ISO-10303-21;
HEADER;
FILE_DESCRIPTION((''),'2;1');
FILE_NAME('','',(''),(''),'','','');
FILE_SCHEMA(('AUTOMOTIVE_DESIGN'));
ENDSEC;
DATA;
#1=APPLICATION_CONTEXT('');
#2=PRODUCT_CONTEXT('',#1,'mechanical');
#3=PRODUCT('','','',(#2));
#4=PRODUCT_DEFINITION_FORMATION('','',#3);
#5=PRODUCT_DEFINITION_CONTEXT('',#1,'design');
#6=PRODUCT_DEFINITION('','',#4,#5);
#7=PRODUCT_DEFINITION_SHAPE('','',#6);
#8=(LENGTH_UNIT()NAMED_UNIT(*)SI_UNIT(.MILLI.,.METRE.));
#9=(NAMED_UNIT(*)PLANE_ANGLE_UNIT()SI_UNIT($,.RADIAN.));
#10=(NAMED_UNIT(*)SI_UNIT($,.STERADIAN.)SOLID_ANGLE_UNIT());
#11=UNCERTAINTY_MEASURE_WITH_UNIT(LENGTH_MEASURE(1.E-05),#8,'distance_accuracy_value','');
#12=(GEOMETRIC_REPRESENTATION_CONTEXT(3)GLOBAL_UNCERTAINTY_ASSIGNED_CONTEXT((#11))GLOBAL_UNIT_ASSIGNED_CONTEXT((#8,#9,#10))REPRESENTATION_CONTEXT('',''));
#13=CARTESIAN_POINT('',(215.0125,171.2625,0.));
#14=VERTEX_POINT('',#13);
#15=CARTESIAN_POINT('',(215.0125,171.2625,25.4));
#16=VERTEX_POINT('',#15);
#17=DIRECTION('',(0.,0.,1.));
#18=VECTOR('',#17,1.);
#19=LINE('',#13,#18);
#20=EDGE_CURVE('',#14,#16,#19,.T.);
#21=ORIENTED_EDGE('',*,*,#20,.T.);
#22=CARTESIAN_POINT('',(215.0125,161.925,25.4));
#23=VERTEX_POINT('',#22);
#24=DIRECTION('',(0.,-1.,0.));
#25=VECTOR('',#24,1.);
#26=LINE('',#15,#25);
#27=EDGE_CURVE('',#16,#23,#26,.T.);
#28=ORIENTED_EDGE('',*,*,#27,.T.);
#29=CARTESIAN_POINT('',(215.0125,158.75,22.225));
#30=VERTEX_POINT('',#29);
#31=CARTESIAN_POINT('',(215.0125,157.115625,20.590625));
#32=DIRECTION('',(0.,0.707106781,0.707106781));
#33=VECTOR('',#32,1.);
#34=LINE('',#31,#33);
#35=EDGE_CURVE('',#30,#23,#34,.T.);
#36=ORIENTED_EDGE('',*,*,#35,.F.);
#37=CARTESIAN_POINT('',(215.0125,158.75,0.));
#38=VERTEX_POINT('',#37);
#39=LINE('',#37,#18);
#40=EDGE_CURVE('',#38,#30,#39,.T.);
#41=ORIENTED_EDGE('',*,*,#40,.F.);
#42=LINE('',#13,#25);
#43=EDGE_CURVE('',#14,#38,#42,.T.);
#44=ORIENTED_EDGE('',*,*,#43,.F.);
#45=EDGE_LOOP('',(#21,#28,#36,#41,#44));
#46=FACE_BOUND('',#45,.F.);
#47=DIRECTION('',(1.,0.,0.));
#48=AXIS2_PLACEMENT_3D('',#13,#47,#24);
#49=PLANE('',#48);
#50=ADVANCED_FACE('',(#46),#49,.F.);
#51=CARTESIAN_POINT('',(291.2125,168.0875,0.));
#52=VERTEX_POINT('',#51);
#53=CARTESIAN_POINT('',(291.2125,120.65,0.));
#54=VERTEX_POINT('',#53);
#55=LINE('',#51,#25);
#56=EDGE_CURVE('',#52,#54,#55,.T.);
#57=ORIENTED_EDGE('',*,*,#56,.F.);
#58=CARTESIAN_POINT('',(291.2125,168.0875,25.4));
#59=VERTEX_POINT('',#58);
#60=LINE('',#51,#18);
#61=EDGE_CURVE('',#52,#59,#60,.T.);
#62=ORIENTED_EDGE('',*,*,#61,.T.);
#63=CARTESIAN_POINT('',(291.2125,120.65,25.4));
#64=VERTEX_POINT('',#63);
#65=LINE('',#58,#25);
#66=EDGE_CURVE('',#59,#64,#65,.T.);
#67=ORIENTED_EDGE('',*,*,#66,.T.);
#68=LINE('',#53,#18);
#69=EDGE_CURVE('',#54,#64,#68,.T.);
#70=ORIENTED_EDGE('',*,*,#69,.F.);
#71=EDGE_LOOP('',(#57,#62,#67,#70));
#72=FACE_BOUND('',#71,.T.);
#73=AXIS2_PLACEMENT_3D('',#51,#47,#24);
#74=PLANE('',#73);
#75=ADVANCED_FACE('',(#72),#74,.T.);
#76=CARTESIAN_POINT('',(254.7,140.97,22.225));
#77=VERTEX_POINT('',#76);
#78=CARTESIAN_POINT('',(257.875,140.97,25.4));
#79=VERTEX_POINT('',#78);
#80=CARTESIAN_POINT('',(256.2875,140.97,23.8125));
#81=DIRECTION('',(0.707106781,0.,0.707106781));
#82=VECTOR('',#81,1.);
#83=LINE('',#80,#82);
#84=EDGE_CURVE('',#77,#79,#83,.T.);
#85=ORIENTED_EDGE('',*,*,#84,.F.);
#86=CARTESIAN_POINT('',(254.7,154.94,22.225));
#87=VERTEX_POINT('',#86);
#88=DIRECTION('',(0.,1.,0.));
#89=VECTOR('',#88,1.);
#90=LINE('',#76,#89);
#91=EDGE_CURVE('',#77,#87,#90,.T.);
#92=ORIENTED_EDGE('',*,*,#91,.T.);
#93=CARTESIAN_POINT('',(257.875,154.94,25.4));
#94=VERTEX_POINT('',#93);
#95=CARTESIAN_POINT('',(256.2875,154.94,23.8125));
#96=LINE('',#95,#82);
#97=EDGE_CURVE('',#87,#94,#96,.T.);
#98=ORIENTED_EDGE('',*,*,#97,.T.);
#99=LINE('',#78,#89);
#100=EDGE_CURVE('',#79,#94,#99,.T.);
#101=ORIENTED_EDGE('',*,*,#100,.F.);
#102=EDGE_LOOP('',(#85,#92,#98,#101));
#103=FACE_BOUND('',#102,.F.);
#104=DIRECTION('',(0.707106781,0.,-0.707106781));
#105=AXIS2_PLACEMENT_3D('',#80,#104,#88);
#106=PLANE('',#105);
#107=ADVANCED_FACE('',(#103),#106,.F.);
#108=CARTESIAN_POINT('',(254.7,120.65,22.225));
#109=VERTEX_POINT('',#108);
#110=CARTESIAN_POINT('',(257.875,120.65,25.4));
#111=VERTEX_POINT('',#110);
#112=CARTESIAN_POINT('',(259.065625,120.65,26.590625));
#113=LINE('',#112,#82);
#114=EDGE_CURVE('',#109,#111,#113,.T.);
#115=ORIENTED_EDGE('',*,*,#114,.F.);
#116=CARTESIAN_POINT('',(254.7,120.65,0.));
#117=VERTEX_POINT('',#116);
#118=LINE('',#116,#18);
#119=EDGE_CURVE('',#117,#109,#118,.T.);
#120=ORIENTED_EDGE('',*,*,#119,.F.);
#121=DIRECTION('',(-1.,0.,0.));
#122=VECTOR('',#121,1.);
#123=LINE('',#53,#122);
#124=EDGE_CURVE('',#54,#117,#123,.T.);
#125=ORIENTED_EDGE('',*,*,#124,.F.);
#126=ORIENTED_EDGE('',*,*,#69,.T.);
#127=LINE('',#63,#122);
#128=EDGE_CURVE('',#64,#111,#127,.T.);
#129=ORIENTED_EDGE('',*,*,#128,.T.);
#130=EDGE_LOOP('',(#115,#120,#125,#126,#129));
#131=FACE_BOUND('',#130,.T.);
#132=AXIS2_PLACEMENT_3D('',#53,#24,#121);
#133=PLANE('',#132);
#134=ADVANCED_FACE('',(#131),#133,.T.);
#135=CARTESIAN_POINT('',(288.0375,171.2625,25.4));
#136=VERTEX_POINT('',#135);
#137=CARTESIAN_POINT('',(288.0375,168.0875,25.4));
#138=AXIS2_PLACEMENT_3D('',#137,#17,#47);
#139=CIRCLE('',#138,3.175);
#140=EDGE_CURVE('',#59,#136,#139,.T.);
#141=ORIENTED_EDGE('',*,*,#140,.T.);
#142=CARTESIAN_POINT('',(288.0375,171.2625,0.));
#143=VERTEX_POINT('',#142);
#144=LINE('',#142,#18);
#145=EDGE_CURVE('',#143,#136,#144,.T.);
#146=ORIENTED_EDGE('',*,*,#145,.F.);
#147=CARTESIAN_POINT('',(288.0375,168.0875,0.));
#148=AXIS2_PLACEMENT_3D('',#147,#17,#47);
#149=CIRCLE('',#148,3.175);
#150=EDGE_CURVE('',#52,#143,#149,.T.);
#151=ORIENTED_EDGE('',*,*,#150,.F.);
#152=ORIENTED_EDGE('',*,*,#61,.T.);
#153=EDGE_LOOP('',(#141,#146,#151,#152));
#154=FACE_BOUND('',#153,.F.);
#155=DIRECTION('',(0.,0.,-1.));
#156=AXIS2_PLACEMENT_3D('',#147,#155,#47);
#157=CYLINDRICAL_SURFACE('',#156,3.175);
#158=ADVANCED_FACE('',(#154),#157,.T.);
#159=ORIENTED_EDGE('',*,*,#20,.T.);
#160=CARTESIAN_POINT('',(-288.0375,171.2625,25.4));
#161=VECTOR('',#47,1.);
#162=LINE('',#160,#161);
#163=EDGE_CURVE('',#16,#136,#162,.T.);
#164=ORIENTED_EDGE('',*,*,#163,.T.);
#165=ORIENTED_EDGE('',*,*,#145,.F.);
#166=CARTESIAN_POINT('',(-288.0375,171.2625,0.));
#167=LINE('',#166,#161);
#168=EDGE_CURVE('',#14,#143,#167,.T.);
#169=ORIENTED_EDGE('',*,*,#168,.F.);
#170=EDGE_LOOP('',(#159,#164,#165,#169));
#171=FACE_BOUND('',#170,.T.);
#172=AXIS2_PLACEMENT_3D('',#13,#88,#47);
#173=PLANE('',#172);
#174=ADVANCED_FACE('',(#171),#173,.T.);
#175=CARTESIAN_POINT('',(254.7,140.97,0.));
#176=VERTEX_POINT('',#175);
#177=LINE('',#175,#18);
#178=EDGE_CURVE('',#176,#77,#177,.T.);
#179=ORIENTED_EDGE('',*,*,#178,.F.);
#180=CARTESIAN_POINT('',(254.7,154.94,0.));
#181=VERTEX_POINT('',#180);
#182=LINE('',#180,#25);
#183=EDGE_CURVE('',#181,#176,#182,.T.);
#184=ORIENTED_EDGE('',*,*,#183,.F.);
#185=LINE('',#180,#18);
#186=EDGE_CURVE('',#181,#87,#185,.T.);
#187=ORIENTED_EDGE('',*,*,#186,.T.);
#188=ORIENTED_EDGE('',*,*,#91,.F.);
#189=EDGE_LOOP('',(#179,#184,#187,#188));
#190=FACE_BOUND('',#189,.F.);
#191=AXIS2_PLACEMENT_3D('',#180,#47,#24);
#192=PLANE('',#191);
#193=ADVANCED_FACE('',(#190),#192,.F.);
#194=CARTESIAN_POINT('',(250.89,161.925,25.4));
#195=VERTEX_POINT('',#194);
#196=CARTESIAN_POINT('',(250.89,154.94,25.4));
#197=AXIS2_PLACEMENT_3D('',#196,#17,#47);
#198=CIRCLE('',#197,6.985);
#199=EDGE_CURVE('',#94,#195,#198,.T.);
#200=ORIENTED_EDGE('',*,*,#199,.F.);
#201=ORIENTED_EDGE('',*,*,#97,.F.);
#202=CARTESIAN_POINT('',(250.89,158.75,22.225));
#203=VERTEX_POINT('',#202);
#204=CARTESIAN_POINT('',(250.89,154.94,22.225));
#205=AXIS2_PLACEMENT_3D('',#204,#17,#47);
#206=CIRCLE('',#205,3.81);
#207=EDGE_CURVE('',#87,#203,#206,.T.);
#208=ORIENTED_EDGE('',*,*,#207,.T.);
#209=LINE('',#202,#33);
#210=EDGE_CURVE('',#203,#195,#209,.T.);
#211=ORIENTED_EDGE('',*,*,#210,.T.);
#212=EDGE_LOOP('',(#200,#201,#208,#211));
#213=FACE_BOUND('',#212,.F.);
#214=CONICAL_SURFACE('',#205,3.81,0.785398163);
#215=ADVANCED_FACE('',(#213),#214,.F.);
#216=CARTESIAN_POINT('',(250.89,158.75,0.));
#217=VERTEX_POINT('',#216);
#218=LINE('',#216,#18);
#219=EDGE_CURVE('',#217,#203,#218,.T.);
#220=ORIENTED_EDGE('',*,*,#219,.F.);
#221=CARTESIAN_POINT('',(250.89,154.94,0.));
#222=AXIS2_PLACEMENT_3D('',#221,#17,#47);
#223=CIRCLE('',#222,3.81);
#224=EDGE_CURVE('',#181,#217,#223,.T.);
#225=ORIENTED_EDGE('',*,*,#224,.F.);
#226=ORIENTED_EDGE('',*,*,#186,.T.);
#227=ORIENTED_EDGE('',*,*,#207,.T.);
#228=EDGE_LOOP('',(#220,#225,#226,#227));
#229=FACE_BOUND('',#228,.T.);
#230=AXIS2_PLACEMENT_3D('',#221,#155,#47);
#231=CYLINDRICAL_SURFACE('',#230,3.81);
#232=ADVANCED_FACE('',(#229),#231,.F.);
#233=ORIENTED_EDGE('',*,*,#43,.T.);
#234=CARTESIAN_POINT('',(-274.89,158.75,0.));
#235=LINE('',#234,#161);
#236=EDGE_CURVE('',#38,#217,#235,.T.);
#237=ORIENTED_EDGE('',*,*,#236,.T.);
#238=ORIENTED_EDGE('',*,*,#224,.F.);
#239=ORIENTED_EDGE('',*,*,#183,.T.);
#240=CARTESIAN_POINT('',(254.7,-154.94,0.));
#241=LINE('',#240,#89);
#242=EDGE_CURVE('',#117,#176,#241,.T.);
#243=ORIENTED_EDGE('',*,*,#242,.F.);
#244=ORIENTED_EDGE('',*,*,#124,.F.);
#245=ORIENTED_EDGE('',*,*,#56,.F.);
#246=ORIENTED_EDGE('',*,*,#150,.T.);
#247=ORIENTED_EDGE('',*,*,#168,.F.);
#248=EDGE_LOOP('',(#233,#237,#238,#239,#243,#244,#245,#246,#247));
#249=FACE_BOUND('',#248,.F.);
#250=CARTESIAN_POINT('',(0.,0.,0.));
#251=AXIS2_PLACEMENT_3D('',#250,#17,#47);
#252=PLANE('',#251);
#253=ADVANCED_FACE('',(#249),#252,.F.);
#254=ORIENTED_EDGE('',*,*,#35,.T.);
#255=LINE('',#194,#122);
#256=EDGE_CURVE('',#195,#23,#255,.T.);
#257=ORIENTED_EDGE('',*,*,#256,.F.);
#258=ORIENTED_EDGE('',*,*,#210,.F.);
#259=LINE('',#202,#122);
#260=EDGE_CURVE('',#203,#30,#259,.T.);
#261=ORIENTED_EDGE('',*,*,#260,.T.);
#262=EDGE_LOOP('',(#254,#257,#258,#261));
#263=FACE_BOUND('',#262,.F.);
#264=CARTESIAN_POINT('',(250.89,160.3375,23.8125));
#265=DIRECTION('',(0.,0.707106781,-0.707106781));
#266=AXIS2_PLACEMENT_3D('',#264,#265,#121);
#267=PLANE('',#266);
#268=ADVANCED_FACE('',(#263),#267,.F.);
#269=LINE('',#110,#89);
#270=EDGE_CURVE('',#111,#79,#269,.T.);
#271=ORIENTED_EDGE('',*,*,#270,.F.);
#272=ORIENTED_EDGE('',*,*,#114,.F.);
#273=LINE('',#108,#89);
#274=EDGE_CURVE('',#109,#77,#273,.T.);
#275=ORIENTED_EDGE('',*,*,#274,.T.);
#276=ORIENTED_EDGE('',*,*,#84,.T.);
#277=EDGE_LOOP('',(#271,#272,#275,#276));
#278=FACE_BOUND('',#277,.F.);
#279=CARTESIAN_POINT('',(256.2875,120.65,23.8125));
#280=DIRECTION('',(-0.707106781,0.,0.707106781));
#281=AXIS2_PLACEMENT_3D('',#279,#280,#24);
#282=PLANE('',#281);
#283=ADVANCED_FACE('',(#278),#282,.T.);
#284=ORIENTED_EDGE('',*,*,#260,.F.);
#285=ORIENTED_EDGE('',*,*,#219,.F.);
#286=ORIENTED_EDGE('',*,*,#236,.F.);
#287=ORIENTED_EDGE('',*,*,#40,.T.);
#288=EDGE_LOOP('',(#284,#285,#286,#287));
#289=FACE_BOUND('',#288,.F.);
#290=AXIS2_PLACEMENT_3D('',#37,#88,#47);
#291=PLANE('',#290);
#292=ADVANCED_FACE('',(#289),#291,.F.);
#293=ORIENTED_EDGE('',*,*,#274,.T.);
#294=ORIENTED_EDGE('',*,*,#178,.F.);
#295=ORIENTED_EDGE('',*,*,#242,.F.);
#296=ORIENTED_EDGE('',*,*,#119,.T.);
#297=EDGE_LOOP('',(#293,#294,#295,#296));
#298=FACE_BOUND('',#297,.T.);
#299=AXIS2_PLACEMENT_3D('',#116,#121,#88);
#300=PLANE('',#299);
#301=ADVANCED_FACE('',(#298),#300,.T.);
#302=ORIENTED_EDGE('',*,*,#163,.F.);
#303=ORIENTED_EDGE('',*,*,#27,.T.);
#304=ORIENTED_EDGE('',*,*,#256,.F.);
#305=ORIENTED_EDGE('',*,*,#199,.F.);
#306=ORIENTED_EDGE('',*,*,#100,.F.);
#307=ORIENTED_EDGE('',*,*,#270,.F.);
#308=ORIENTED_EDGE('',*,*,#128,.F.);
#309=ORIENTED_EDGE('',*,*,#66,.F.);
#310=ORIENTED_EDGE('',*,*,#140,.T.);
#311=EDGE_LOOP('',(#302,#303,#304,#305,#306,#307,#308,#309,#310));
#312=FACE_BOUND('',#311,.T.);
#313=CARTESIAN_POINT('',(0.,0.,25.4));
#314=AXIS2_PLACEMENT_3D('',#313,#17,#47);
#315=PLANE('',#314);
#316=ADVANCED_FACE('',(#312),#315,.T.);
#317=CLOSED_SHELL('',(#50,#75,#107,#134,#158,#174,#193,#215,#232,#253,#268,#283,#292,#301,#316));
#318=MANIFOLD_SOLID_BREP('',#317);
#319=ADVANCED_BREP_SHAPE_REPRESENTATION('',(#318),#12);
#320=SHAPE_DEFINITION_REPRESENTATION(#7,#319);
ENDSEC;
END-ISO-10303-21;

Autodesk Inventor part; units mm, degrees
ref_plane "YZ Plane" through (0, 0, 0) normal (1, 0, 0) x (0, 1, 0)
ref_plane "XZ Plane" through (0, 0, 0) normal (0, 1, 0) x (-1, 0, 0)
ref_plane "XY Plane" through (0, 0, 0) normal (0, 0, 1) x (1, 0, 0)
ref_plane "Work Plane1" through (0, 0, 0) normal (0, 0, 1) x (1, 0, 0)
sketch "Sketch1" plane through (0, 0, 0) normal (0, 0, 1) x (1, 0, 0)
  line L0 (254.7, 154.94) -> (254.7, 140.97) projected
  line L1 (254.7, -154.94) -> (254.7, 140.97) projected
  arc A0 (254.7, 154.94) -> (250.89, 158.75) centre (250.89, 154.94) ccw projected
  line L2 (-274.89, 158.75) -> (250.89, 158.75) projected
  arc A1 (260.25, -24.13) -> (261.52, -25.4) centre (261.52, -24.13) ccw projected
  line L3 (260.25, -24.13) -> (260.25, -21.59) projected
  arc A2 (261.52, -20.32) -> (260.25, -21.59) centre (261.52, -21.59) ccw projected
  line L4 (261.52, -20.32) -> (265.66, -20.32) projected
  arc A3 (266.93, -21.59) -> (265.66, -20.32) centre (265.66, -21.59) ccw projected
  line L5 (266.93, -21.59) -> (266.93, -24.13) projected
  arc A4 (265.66, -25.4) -> (266.93, -24.13) centre (265.66, -24.13) ccw projected
  line L6 (265.66, -25.4) -> (261.52, -25.4) projected
  arc A5 (-288.0375, 171.2625) -> (-291.2125, 168.0875) centre (-288.0375, 168.0875) ccw projected
  line L7 (-291.2125, -168.0875) -> (-291.2125, 168.0875) projected
  arc A6 (-291.2125, -168.0875) -> (-288.0375, -171.2625) centre (-288.0375, -168.0875) ccw projected
  line L8 (288.0375, -171.2625) -> (-288.0375, -171.2625) projected
  arc A7 (288.0375, -171.2625) -> (291.2125, -168.0875) centre (288.0375, -168.0875) ccw projected
  line L9 (291.2125, 168.0875) -> (291.2125, -168.0875) projected
  arc A8 (291.2125, 168.0875) -> (288.0375, 171.2625) centre (288.0375, 168.0875) ccw projected
  line L10 (-288.0375, 171.2625) -> (288.0375, 171.2625) projected
  circle A9 centre (264.3, 19.25) radius 3.6 projected
  line L11 (295.2621, 171.2883) -> (295.2621, 171.2625)
  line L12 (291.2125, 120.65) -> (254.7, 120.65)
  line L13 (215.0125, 171.2625) -> (215.0125, 158.75)
  point P0 (0, 0)
extrude "Extrusion1" add sketch "Sketch1" along normal blind 25.4 contours A0 L2 L13 L10 A8 L9 L12 L1 L0
chamfer "Chamfer1" distance 3.175 angle 45 3 edges at (254.7, 130.81, 25.4) (253.5841, 157.6341, 25.4) (232.9512, 158.75, 25.4)
properties material "ABS Plastic"
